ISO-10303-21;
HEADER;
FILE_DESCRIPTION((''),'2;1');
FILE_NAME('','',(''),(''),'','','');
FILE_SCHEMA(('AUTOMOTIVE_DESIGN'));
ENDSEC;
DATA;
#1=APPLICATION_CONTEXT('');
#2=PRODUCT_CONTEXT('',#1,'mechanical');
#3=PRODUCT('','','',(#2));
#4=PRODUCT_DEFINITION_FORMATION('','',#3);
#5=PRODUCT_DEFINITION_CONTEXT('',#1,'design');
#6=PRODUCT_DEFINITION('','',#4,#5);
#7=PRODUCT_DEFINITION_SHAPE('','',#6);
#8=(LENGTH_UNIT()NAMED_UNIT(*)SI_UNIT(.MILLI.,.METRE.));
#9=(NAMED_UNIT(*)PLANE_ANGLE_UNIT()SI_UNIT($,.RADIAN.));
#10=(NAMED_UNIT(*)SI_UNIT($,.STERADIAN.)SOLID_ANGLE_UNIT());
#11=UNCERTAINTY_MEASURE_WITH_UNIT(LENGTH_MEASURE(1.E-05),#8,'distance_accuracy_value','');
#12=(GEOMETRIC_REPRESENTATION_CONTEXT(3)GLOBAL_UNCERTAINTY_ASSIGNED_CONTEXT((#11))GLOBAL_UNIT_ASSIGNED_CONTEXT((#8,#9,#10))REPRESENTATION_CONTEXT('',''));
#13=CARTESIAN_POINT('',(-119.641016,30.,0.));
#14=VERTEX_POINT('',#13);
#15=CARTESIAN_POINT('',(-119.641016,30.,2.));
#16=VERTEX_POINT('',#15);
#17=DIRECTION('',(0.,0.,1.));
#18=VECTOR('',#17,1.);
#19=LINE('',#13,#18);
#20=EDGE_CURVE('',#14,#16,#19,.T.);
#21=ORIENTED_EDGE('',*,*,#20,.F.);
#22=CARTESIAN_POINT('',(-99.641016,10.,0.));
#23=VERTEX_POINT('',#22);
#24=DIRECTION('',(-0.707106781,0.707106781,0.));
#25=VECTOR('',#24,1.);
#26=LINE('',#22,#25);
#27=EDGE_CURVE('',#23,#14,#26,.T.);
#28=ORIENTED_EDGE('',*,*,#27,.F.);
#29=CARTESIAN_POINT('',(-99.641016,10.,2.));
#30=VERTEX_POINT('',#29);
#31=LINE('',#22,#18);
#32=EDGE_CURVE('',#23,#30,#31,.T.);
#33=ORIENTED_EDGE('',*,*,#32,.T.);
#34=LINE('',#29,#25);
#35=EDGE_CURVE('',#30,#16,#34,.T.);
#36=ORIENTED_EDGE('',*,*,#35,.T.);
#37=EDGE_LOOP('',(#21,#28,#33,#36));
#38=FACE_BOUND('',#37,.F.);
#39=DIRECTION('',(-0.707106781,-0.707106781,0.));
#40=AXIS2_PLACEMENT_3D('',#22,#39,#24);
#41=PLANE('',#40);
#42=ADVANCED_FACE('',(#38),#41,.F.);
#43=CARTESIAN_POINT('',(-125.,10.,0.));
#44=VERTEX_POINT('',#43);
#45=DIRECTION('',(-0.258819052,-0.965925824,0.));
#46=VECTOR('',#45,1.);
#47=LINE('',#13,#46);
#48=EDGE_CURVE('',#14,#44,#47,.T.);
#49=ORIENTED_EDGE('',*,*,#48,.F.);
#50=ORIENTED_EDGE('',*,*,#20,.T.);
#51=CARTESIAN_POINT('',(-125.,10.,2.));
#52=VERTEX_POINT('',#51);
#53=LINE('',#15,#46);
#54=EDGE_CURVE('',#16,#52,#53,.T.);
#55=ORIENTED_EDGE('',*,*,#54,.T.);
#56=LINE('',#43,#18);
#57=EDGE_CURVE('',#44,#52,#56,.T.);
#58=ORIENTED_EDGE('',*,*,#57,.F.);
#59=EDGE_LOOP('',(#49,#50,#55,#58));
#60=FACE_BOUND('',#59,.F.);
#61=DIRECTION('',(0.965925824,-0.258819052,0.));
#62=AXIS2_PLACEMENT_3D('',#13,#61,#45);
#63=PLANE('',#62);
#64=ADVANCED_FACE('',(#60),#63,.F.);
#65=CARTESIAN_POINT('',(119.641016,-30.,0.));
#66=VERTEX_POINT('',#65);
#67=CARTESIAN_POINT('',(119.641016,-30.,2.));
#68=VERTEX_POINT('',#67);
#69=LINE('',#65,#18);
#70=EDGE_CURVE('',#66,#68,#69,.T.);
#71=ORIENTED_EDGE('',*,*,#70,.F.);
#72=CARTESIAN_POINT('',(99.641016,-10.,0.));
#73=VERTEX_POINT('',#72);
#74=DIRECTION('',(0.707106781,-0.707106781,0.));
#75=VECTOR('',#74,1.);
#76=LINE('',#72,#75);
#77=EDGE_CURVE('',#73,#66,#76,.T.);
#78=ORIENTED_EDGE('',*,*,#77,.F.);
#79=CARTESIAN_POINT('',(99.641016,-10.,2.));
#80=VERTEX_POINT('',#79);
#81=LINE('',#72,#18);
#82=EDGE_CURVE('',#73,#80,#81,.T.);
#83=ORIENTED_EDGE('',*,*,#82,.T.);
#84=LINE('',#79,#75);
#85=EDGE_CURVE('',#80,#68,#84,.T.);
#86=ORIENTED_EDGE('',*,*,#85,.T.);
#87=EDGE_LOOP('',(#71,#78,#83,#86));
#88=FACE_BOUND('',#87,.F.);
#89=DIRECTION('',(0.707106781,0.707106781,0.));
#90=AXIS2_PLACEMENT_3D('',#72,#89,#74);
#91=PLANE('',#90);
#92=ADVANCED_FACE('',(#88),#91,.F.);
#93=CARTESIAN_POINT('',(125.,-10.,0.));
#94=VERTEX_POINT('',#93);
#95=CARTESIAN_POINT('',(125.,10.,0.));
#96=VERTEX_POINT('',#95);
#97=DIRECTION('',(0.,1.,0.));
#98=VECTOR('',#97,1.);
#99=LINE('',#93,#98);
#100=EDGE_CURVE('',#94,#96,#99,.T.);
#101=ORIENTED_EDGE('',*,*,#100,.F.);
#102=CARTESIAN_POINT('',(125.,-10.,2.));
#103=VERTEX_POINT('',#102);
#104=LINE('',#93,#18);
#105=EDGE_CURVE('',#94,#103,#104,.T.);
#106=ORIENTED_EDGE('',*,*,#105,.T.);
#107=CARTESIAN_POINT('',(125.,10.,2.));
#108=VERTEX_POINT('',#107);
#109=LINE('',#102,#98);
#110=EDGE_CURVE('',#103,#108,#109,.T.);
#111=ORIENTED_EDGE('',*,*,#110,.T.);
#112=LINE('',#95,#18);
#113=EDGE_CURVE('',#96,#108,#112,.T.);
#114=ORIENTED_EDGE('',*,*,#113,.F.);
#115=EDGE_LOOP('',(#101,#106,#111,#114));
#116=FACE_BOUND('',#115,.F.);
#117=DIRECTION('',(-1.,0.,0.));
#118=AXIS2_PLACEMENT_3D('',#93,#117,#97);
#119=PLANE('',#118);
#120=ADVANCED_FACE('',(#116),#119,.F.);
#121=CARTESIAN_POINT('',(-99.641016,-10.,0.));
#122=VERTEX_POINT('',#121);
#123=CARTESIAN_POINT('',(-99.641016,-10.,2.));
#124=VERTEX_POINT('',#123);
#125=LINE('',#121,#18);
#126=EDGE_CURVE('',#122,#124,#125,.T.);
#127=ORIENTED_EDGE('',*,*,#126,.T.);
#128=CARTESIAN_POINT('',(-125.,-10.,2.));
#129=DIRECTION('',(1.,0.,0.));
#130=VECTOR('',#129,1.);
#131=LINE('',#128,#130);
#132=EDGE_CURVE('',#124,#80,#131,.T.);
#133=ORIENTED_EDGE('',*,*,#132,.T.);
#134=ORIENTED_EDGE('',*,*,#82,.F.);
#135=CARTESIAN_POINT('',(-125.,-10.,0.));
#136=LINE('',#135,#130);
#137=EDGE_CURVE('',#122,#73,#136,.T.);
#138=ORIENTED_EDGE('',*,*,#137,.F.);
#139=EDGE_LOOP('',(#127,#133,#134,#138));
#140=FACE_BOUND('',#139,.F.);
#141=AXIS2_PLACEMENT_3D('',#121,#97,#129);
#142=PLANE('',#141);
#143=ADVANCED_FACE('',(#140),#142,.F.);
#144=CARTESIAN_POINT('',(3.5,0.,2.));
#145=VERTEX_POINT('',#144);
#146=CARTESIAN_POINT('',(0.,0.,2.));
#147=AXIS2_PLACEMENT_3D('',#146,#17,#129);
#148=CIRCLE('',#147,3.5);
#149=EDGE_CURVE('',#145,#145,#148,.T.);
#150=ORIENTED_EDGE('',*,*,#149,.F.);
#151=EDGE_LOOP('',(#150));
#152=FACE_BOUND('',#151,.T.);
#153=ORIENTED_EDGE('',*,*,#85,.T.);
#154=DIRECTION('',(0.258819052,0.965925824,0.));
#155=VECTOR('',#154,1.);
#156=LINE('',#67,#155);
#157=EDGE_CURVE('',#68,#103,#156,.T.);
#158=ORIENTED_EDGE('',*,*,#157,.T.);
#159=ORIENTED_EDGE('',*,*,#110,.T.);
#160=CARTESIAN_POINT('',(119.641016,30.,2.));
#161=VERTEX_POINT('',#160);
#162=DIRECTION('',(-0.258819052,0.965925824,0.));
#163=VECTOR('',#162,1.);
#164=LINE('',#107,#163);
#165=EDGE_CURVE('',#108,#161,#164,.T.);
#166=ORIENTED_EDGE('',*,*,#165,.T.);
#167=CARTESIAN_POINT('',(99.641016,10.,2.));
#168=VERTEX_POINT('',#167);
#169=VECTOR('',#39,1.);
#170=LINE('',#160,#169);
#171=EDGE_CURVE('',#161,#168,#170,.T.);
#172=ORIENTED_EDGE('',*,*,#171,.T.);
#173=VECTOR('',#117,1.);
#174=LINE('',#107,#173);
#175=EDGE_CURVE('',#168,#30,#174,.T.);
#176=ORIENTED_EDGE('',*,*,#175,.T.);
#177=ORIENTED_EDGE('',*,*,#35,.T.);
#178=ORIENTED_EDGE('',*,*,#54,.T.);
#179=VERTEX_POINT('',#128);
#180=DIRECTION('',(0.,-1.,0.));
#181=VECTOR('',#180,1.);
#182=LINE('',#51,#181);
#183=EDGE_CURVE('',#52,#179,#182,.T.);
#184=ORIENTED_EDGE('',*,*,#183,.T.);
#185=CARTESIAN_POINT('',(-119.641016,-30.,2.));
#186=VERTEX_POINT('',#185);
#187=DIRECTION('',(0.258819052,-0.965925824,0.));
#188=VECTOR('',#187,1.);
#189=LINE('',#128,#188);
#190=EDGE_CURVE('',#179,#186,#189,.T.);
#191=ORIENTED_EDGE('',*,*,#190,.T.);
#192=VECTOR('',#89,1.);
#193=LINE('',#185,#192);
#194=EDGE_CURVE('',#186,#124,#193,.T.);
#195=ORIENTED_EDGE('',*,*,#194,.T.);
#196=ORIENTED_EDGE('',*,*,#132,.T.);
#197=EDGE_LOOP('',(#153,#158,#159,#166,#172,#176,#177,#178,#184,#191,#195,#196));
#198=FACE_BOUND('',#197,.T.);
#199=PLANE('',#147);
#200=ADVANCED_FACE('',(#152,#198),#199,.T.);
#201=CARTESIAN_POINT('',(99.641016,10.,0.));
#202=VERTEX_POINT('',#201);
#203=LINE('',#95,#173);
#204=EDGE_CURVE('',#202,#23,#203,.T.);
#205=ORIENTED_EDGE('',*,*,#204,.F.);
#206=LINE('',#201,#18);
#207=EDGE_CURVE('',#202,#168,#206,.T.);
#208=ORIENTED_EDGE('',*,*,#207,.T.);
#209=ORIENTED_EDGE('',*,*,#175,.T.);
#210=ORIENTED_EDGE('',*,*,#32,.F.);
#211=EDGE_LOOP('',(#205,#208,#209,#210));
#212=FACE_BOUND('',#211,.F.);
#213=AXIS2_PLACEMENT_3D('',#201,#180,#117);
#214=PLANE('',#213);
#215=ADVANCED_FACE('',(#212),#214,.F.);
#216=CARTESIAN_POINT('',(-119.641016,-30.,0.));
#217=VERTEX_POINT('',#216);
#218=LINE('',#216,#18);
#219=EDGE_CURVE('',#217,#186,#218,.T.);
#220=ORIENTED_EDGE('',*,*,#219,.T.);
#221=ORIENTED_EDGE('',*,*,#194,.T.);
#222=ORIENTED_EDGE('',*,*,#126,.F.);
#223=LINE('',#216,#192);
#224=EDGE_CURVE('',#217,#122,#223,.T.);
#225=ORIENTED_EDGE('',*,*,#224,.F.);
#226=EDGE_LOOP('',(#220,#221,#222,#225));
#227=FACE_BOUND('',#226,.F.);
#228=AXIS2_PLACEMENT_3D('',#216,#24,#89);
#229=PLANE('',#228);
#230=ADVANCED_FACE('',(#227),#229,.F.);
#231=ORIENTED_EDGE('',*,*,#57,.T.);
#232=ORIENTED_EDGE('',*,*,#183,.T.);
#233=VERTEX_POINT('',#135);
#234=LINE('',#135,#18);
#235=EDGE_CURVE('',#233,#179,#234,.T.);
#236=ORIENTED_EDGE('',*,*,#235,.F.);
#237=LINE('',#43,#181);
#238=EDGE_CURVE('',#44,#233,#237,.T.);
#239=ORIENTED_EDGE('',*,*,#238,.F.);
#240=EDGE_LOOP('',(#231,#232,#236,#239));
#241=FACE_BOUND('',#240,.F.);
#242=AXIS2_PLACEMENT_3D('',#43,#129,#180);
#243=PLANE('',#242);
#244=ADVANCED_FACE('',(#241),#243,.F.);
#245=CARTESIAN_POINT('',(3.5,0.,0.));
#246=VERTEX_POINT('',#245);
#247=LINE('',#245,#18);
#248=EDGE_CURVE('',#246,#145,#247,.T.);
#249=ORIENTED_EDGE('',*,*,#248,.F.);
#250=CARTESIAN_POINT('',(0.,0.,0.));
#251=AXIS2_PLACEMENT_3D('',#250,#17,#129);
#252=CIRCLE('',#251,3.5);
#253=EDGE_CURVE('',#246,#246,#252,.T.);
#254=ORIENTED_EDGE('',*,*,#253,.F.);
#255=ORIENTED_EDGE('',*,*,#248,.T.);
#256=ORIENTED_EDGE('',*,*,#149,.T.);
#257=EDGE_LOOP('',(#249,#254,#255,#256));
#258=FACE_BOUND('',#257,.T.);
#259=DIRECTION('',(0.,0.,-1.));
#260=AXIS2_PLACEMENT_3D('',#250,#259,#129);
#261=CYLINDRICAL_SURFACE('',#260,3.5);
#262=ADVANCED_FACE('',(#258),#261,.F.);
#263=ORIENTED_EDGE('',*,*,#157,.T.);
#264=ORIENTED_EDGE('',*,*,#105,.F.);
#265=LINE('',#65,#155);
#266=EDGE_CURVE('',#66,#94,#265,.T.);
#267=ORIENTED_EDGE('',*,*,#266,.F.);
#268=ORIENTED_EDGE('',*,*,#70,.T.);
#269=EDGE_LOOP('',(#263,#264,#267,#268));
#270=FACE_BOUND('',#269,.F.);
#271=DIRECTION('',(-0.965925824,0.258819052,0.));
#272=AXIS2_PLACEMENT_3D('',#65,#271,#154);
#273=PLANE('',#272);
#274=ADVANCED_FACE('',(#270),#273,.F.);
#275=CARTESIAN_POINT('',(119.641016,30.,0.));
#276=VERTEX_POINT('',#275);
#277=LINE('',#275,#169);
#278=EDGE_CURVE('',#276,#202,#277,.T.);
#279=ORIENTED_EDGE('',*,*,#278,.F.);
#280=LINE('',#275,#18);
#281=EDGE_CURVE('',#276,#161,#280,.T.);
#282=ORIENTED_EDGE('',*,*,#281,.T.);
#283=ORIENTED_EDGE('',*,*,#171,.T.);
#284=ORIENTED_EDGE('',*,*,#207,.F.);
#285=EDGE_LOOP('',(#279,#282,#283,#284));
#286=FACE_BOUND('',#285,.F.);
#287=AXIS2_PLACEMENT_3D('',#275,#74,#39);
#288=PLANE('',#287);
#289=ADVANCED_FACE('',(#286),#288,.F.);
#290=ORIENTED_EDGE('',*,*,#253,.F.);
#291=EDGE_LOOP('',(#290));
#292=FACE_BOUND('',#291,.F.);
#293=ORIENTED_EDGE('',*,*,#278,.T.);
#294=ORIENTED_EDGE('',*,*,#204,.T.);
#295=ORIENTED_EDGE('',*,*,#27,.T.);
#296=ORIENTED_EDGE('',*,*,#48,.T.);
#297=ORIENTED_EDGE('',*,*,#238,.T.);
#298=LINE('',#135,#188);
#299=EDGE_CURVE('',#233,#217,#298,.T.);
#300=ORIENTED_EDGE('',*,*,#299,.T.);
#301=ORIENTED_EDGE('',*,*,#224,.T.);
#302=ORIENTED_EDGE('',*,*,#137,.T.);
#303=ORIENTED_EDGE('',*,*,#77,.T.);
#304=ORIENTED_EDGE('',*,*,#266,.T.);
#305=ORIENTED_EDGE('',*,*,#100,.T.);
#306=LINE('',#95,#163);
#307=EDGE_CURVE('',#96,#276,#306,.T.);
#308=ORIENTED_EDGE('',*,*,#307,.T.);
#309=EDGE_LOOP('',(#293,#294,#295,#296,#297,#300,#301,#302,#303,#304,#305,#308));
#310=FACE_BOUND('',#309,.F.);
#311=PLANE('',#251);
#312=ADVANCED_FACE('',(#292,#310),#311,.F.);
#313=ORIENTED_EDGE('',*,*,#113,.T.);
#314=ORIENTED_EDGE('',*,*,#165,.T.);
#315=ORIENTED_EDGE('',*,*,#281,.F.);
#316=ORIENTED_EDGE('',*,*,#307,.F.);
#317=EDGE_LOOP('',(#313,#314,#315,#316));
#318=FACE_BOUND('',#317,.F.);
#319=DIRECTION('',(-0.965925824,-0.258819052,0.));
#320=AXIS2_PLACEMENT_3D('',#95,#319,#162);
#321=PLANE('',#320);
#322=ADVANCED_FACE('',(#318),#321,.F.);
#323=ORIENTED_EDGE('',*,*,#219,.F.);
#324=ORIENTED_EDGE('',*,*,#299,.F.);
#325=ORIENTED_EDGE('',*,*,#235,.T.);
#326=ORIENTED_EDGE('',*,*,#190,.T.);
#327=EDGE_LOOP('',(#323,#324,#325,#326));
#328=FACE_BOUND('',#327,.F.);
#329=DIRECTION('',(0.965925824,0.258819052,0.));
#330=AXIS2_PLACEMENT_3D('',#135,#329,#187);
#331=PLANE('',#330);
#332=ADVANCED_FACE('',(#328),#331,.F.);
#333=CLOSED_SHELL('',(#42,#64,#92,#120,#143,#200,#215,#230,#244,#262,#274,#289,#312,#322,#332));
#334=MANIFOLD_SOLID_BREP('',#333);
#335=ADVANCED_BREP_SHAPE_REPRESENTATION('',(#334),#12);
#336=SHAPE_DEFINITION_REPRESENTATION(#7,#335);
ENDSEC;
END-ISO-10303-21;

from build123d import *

# Parameters (mm, degrees)
F0_R     = 3.5
F1_DEPTH = 2


with BuildPart() as f1:
    # F0 (on Top) → F1 (new body)
    with BuildSketch(Plane.XY):
        Polygon((125, -10), (125, 10), (99.641016, 10), (-99.641016, 10), (-125, 10), (-125, -10), (-99.641016, -10), (99.641016, -10), align=None)
        Circle(F0_R, mode=Mode.SUBTRACT)
        Polygon((99.641016, 10), (125, 10), (119.641016, 30), align=None)
        Polygon((119.641016, -30), (125, -10), (99.641016, -10), align=None)
        Polygon((-125, 10), (-99.641016, 10), (-119.641016, 30), align=None)
        Polygon((-119.641016, -30), (-99.641016, -10), (-125, -10), align=None)
    extrude(amount=F1_DEPTH)


solid = f1.part
